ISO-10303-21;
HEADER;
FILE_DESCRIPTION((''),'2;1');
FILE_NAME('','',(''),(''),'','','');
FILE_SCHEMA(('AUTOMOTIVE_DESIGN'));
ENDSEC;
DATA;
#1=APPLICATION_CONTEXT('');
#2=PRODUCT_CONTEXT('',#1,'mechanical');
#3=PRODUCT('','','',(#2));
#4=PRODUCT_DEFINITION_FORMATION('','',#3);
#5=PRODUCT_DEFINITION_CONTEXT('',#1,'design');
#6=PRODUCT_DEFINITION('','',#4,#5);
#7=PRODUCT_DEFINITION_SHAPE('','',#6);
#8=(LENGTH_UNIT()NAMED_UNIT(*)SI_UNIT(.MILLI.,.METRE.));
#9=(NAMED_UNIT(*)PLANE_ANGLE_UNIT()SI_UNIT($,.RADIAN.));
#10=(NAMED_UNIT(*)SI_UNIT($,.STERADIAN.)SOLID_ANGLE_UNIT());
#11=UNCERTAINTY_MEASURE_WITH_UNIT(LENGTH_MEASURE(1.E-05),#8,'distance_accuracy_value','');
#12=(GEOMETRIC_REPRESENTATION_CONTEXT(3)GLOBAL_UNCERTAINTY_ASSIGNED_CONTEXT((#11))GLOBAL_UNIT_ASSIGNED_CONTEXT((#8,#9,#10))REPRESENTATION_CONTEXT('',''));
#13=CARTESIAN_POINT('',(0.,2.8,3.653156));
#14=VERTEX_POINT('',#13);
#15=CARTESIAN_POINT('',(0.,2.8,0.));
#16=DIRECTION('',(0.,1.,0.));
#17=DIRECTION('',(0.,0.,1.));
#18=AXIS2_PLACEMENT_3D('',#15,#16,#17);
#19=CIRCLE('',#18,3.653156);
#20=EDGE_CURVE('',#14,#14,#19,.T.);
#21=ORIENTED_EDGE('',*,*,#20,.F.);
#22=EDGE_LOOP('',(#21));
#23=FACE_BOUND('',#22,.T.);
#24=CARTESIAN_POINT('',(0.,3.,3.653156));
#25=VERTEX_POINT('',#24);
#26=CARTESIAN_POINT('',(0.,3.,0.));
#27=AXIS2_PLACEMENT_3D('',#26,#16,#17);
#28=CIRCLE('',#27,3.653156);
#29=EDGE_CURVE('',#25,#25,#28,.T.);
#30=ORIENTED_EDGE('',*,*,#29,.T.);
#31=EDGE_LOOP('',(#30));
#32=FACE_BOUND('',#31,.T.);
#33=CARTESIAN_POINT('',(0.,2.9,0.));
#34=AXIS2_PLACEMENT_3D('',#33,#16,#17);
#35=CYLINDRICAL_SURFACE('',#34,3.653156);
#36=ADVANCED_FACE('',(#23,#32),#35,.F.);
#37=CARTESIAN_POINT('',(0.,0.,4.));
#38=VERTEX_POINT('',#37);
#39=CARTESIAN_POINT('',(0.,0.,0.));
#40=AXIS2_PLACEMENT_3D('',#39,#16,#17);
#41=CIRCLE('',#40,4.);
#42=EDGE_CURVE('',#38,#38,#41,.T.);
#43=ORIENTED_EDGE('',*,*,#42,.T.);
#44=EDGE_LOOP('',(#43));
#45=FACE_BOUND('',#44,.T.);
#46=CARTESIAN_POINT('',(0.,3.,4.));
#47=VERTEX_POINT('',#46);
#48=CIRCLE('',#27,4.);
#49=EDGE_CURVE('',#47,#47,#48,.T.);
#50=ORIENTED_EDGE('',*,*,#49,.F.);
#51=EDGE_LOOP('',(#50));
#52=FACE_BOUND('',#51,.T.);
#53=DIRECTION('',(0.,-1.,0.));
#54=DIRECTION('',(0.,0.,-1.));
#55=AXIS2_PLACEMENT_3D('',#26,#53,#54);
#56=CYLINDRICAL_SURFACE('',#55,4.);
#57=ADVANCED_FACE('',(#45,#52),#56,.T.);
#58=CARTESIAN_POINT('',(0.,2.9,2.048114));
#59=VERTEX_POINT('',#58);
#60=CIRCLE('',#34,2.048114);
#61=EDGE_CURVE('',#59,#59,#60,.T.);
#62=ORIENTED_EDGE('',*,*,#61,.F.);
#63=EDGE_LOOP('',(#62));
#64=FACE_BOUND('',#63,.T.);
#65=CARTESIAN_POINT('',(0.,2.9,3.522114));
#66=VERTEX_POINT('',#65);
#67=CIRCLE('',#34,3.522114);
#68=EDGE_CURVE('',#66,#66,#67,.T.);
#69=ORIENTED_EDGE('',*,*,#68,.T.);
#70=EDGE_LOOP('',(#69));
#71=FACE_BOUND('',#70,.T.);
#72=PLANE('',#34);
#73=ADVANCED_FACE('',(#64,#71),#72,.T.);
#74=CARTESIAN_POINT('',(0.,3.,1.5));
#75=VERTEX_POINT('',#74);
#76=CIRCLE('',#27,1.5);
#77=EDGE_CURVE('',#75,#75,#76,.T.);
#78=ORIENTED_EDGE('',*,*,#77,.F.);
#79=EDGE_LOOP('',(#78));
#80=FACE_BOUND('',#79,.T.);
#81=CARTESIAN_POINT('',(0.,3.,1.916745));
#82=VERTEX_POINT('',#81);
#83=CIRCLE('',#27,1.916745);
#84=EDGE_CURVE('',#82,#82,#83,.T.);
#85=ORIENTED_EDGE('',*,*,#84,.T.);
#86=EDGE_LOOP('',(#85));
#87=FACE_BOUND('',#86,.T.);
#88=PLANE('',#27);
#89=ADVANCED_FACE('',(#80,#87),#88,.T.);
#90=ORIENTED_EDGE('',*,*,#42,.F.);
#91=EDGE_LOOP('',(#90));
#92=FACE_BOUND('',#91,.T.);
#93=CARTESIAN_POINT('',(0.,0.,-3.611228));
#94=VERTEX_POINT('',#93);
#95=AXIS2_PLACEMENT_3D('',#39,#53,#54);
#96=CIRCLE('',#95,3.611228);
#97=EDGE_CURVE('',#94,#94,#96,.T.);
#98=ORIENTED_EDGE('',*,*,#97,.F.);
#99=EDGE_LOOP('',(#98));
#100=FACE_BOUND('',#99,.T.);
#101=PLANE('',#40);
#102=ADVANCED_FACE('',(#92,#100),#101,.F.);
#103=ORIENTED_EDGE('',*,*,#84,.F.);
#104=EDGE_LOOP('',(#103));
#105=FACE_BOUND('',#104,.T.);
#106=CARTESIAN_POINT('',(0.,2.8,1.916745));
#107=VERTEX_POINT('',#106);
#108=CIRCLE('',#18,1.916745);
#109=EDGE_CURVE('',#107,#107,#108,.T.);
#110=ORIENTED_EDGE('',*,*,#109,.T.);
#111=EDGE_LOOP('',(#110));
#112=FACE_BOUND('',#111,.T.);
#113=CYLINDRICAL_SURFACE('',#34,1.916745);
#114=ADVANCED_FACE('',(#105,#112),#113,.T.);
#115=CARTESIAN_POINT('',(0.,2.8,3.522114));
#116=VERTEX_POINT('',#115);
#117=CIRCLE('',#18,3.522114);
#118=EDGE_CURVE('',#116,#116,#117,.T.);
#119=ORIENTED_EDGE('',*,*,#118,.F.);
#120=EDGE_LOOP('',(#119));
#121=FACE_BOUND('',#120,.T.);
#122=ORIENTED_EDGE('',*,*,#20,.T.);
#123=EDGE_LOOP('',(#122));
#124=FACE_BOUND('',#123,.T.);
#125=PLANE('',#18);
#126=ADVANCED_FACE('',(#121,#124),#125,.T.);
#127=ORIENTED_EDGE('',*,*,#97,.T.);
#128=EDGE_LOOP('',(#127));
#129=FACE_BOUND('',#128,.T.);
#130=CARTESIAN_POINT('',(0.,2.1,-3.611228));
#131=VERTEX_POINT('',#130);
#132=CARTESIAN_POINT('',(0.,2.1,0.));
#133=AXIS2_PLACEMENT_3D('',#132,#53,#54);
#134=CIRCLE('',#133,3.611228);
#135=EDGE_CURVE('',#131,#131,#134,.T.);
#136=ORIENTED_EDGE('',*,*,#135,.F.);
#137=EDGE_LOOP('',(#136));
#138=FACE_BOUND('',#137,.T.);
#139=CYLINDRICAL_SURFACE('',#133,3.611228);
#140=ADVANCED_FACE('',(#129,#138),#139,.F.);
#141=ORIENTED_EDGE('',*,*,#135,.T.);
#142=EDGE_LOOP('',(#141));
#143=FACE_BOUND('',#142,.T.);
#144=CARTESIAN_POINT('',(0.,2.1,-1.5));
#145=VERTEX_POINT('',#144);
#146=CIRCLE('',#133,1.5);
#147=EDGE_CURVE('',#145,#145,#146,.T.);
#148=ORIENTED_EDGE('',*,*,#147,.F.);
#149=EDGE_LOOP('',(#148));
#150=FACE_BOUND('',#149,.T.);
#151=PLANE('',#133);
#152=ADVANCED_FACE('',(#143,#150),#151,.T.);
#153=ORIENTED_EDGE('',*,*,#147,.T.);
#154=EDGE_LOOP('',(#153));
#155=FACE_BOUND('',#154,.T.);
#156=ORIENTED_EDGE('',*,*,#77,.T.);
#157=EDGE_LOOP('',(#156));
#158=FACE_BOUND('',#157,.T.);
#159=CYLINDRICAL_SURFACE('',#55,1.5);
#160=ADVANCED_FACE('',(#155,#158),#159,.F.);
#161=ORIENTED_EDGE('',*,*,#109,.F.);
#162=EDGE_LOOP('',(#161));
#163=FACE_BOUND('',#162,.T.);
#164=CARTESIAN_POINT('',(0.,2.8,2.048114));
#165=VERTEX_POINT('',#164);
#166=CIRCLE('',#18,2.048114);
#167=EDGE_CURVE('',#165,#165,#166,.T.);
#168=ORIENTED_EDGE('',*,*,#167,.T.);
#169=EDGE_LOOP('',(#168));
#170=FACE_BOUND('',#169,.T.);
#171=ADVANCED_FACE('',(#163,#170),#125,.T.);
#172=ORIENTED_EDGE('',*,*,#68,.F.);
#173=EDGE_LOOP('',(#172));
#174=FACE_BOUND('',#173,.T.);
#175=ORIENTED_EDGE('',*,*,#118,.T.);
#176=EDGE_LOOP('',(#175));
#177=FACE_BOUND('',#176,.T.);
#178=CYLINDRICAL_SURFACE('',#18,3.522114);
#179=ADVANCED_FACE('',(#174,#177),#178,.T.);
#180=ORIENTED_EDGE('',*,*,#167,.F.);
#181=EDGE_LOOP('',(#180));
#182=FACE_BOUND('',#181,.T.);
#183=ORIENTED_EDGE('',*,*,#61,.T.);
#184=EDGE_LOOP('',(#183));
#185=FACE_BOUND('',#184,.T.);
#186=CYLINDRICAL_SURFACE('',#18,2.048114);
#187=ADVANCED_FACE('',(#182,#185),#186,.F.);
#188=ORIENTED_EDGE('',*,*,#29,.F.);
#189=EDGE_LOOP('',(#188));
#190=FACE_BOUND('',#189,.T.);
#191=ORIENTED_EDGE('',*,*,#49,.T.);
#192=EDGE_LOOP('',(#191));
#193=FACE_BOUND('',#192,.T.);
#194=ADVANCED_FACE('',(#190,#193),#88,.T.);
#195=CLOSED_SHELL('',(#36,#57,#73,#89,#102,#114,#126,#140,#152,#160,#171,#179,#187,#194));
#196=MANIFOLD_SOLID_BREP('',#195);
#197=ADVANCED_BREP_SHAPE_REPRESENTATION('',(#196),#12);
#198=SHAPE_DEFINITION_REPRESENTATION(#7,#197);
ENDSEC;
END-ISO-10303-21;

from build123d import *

# Parameters (mm, degrees)
SKETCH1_R           = 4
SKETCH1_R_2         = 1.5
BOSS_EXTRUDE1_DEPTH = 3
SKETCH2_R           = 3.653156204
SKETCH2_R_2         = 1.91674474
CUT_EXTRUDE1_DEPTH  = 0.1
SKETCH4_R           = 2.048114098
SKETCH4_R_2         = 1.91674474
CUT_EXTRUDE6_DEPTH  = 0.1
SKETCH5_R           = 3.653156204
SKETCH5_R_2         = 3.522114118
CUT_EXTRUDE7_DEPTH  = 0.1
SKETCH6_R           = 3.611227951
CUT_EXTRUDE8_DEPTH  = 2.1


with BuildPart() as part:
    # Sketch1 → Boss-Extrude1 (new body)
    with BuildSketch(Plane(origin=(0, 0, 0), x_dir=(1, 0, 0), z_dir=(0, 1, 0))):
        Circle(SKETCH1_R)
        Circle(SKETCH1_R_2, mode=Mode.SUBTRACT)
    extrude(amount=BOSS_EXTRUDE1_DEPTH)

    # Sketch2 → Cut-Extrude1 (cut)
    with BuildSketch(Plane(origin=(0, 3, 0), x_dir=(1, 0, 0), z_dir=(0, 1, 0))):
        Circle(SKETCH2_R)
        Circle(SKETCH2_R_2, mode=Mode.SUBTRACT)
    extrude(amount=-CUT_EXTRUDE1_DEPTH, mode=Mode.SUBTRACT)

    # Sketch4 → Cut-Extrude6 (cut)
    with BuildSketch(Plane(origin=(0, 2.9, 0), x_dir=(1, 0, 0), z_dir=(0, 1, 0))):
        Circle(SKETCH4_R)
        Circle(SKETCH4_R_2, mode=Mode.SUBTRACT)
    extrude(amount=-CUT_EXTRUDE6_DEPTH, mode=Mode.SUBTRACT)

    # Sketch5 → Cut-Extrude7 (cut)
    with BuildSketch(Plane(origin=(0, 2.9, 0), x_dir=(1, 0, 0), z_dir=(0, 1, 0))):
        Circle(SKETCH5_R)
        Circle(SKETCH5_R_2, mode=Mode.SUBTRACT)
    extrude(amount=-CUT_EXTRUDE7_DEPTH, mode=Mode.SUBTRACT)

    # Sketch6 → Cut-Extrude8 (cut)
    with BuildSketch(Plane.XZ):
        Circle(SKETCH6_R)
    extrude(amount=-CUT_EXTRUDE8_DEPTH, mode=Mode.SUBTRACT)


solid = part.part
